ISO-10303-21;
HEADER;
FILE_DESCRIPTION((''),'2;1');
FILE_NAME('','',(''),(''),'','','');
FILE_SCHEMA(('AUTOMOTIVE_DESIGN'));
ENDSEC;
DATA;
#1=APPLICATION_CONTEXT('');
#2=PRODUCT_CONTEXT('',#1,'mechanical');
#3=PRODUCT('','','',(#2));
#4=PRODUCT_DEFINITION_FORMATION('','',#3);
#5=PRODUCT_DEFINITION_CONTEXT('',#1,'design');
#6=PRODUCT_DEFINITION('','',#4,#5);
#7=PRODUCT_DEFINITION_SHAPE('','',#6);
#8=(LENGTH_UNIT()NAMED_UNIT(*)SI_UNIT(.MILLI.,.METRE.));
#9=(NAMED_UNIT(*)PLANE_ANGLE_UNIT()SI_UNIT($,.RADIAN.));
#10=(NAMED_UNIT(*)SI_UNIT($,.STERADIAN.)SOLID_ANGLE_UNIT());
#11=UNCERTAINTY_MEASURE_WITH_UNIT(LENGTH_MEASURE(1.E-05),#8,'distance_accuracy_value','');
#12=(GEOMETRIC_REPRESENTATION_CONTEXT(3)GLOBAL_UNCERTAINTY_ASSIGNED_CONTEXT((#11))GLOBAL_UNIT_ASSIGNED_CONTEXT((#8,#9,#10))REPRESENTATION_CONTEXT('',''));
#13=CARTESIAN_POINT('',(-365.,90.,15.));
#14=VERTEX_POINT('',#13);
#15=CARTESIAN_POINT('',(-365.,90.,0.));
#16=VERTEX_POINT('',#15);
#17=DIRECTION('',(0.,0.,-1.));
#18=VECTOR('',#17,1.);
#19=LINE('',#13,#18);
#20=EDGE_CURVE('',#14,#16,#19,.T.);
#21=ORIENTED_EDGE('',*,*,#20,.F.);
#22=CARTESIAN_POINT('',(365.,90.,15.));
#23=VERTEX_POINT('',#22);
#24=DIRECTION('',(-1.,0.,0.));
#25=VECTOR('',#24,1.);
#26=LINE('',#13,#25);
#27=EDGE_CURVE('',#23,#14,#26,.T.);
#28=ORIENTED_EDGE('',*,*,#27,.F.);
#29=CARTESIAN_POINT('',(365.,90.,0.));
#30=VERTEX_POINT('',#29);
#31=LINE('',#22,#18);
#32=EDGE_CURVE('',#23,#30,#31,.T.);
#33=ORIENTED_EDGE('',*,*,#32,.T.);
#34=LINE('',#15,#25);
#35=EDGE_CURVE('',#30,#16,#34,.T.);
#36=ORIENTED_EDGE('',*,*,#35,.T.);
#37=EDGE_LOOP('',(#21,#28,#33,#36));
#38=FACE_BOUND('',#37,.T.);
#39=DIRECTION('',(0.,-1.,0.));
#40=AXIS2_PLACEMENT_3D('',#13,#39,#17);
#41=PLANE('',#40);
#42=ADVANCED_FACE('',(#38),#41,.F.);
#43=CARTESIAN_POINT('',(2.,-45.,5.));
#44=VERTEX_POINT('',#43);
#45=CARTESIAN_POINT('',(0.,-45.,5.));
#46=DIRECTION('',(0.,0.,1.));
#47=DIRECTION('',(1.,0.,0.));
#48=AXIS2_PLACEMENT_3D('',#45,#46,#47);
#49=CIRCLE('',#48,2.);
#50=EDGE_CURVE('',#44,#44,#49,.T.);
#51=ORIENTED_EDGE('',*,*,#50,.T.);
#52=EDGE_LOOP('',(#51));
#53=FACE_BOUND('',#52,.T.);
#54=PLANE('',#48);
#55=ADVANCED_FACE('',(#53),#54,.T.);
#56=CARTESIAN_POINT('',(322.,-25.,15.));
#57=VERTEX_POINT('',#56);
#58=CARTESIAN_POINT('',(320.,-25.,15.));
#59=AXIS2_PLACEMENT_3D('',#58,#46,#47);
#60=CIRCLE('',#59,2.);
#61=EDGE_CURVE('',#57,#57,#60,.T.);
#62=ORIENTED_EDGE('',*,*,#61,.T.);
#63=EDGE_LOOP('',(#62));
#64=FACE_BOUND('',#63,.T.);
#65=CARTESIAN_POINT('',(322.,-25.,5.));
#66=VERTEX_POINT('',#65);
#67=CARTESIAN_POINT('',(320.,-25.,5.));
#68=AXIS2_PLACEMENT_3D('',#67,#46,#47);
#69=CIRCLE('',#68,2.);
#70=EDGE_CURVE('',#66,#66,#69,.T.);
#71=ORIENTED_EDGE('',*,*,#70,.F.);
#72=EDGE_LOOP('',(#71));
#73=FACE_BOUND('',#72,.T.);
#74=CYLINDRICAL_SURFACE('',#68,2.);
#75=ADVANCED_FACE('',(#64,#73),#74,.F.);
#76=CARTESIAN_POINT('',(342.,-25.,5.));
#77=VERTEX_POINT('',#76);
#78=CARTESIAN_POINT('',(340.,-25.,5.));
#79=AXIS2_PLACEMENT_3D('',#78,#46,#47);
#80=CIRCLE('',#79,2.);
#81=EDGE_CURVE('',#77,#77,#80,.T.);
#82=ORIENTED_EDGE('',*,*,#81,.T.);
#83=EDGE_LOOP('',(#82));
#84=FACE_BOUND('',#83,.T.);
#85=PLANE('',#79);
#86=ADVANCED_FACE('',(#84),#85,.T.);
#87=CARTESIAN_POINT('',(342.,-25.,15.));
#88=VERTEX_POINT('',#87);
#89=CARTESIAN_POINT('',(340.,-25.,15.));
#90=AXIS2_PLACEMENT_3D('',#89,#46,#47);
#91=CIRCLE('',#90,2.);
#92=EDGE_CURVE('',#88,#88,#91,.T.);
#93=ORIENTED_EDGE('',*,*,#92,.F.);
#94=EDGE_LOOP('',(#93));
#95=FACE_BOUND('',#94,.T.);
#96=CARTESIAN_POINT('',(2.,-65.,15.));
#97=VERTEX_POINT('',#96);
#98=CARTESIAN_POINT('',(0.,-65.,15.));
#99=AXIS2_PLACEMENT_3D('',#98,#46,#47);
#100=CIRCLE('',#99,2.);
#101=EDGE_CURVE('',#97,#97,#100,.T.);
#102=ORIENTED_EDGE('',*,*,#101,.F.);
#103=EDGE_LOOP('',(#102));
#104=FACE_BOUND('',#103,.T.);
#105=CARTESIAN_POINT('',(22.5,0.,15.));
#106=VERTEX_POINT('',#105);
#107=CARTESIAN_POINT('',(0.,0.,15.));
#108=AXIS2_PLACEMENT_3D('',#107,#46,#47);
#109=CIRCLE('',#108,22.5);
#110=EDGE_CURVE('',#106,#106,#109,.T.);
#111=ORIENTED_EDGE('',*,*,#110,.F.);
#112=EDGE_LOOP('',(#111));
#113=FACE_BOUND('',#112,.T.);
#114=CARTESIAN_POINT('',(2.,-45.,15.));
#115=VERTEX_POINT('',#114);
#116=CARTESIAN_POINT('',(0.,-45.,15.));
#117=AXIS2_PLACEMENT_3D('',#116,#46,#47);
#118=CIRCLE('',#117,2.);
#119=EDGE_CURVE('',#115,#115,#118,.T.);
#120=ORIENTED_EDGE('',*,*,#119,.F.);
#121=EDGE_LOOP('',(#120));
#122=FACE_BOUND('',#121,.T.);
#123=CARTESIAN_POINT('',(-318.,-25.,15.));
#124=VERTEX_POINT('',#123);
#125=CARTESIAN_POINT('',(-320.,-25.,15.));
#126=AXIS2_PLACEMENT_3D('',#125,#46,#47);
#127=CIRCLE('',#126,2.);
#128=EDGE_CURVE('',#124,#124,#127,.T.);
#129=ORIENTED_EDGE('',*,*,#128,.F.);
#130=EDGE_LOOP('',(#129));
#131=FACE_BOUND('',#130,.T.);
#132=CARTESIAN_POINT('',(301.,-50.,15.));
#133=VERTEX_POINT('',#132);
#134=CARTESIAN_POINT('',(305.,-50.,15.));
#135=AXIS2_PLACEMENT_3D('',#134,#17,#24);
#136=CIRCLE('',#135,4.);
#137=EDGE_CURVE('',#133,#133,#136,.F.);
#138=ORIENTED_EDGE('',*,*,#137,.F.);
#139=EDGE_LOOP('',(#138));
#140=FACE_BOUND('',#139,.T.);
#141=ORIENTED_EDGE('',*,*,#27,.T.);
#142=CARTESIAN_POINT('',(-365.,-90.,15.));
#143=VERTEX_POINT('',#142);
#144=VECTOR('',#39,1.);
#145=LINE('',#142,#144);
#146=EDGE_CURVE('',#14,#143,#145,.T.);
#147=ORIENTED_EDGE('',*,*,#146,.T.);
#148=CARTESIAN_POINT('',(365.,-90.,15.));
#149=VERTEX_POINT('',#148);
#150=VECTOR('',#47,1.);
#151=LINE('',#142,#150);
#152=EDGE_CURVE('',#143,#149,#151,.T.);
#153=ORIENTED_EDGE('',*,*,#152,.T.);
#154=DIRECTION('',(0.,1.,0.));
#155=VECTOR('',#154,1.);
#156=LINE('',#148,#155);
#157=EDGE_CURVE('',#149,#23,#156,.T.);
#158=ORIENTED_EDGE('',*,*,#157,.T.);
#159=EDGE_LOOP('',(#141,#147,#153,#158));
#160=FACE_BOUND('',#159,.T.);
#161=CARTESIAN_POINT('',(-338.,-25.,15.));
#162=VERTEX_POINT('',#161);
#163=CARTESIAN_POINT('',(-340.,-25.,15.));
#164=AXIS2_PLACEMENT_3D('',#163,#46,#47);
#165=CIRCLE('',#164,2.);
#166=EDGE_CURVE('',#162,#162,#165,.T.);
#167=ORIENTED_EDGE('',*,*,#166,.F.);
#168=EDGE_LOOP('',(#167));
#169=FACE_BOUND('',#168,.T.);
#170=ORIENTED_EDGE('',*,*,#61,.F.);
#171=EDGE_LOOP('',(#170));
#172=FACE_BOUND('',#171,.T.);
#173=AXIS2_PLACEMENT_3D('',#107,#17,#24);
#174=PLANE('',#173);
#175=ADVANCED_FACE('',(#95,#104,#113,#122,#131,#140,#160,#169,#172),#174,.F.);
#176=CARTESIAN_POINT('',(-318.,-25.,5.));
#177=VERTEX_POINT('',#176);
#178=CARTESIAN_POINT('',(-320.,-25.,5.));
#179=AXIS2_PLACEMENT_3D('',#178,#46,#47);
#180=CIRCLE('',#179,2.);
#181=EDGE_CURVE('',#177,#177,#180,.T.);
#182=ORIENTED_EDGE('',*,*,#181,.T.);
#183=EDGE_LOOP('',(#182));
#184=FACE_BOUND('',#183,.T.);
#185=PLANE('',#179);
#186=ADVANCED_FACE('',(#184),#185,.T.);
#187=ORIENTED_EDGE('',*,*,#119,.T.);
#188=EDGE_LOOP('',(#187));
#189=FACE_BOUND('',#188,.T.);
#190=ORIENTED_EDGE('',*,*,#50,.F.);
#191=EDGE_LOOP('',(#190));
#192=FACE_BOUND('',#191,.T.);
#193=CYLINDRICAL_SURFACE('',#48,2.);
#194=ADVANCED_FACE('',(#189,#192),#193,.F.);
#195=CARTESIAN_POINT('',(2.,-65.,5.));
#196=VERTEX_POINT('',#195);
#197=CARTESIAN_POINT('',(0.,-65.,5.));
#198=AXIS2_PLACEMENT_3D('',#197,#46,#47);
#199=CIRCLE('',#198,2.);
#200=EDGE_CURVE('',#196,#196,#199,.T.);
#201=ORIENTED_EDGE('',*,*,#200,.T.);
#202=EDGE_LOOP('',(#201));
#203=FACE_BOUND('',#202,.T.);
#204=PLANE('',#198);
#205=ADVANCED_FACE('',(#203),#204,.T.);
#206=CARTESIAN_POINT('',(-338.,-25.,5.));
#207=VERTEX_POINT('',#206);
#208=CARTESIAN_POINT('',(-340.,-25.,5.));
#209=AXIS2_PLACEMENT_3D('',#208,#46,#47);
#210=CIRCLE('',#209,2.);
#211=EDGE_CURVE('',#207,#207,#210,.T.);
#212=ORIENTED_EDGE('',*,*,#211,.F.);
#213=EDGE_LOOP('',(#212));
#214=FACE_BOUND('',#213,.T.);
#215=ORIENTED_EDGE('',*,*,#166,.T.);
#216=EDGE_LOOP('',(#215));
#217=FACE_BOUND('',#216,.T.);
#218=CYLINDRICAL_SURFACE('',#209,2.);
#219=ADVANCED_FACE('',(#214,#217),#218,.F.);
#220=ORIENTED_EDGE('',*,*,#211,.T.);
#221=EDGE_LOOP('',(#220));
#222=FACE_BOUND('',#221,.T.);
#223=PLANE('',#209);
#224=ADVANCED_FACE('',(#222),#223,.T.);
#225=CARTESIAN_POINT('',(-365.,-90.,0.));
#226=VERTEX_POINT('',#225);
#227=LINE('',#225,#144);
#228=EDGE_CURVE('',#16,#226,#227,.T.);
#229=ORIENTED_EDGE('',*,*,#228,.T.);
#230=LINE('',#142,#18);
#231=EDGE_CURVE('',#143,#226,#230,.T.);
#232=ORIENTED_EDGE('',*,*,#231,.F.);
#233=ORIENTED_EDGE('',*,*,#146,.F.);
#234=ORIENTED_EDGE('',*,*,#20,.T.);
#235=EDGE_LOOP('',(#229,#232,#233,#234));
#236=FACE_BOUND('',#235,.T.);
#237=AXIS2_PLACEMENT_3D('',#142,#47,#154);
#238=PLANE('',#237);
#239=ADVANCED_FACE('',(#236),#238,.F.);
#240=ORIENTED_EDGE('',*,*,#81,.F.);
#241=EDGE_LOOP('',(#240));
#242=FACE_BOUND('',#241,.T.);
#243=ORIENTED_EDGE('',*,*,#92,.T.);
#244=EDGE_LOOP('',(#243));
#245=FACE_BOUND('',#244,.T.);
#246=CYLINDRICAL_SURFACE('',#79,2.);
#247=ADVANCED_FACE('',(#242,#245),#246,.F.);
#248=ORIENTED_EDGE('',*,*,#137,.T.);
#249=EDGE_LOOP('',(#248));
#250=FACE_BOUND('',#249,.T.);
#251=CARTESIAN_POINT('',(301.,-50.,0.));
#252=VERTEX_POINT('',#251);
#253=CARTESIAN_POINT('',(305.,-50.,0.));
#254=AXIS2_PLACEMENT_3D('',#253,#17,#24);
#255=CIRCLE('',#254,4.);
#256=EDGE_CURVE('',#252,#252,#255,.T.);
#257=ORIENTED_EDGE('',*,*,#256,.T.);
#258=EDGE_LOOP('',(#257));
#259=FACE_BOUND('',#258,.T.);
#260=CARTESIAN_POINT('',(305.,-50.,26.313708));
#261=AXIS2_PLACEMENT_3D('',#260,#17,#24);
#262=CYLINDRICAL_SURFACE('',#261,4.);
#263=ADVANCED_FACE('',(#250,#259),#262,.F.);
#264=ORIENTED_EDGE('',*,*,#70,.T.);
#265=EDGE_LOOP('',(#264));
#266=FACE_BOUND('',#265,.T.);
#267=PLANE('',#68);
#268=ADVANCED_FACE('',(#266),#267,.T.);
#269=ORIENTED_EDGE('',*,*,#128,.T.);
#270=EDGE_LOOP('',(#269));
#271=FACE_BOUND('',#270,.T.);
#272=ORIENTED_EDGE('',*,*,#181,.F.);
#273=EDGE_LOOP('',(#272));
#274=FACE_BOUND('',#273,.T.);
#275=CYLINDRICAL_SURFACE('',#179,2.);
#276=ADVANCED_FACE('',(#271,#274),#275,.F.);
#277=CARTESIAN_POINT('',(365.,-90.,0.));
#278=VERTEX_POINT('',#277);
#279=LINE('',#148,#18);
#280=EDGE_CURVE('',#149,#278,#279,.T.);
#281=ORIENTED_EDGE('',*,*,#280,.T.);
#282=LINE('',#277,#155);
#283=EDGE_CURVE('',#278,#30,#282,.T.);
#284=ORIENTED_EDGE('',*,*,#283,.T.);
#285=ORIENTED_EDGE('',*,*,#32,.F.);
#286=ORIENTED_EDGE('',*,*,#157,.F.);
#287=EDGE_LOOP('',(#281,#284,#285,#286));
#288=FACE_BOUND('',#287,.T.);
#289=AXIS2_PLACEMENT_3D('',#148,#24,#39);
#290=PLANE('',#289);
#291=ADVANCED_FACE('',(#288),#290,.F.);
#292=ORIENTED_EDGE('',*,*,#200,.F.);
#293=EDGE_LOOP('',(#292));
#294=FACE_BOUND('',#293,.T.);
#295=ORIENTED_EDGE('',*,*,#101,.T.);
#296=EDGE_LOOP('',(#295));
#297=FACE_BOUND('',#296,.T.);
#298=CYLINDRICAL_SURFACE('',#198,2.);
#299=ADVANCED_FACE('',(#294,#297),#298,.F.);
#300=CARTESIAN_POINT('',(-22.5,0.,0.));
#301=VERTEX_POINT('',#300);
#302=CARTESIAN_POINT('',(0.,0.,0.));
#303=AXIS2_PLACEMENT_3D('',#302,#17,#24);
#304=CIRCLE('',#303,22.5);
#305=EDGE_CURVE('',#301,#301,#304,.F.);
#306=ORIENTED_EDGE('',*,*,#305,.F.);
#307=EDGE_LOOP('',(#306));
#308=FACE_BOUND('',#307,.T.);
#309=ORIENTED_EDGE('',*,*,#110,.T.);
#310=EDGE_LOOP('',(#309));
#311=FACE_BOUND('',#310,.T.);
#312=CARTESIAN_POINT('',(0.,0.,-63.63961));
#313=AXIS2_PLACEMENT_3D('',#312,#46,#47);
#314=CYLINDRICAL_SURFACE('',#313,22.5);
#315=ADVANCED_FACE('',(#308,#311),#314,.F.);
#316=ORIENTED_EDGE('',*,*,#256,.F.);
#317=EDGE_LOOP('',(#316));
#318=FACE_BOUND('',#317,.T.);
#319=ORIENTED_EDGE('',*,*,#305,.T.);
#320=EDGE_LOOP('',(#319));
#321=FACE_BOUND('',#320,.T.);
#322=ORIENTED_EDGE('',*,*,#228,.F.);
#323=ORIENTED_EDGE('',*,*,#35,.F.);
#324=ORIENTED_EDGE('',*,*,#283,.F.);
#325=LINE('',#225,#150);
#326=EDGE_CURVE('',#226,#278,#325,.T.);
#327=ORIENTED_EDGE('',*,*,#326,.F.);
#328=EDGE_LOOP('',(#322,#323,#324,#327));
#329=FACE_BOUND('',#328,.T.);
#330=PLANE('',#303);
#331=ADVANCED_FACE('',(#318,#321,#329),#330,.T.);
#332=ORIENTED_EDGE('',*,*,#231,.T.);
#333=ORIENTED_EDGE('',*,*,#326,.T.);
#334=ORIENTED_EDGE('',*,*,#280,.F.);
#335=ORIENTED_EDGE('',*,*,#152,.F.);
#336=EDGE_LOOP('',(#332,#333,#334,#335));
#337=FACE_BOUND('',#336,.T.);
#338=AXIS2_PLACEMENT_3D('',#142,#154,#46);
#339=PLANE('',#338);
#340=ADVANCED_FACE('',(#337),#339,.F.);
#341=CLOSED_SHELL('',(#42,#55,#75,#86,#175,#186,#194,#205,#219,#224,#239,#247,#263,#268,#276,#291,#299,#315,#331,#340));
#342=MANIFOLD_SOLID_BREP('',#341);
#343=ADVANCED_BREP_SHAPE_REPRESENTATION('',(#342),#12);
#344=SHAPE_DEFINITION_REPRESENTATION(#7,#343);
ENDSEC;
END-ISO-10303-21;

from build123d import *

# Parameters (mm, degrees)
CROQUIS1_W              = 730
CROQUIS1_H              = 180
SALIENTE_EXTRUIR1_DEPTH = 15
CROQUIS2_R              = 2
CORTAR_EXTRUIR1_DEPTH   = 10
CROQUIS3_R              = 22.5
CORTAR_EXTRUIR2_DEPTH   = 15
CROQUIS4_R              = 4
CORTAR_EXTRUIR3_DEPTH   = 15


with BuildPart() as part:
    # Croquis1 → Saliente-Extruir1 (new body)
    with BuildSketch(Plane.XY):
        Rectangle(CROQUIS1_W, CROQUIS1_H)
    extrude(amount=SALIENTE_EXTRUIR1_DEPTH)

    # Croquis2 → Cortar-Extruir1 (cut)
    with BuildSketch(Plane.XY.offset(15)):
        with Locations((-340, -25)):
            Circle(CROQUIS2_R)
        with Locations((0, -65)):
            Circle(CROQUIS2_R)
        with Locations((0, -45)):
            Circle(CROQUIS2_R)
        with Locations((-320, -25)):
            Circle(CROQUIS2_R)
        with Locations((340, -25)):
            Circle(CROQUIS2_R)
        with Locations((320, -25)):
            Circle(CROQUIS2_R)
    extrude(amount=-CORTAR_EXTRUIR1_DEPTH, mode=Mode.SUBTRACT)

    # Croquis3 → Cortar-Extruir2 (cut)
    with BuildSketch(Plane.XY.offset(15)):
        Circle(CROQUIS3_R)
    extrude(amount=-CORTAR_EXTRUIR2_DEPTH, mode=Mode.SUBTRACT)

    # Croquis4 → Cortar-Extruir3 (cut)
    with BuildSketch(Plane(origin=(0, 0, 0), x_dir=(-1, 0, 0), z_dir=(0, 0, -1))):
        with Locations((-305, -50)):
            Circle(CROQUIS4_R)
    extrude(amount=-CORTAR_EXTRUIR3_DEPTH, mode=Mode.SUBTRACT)


solid = part.part
